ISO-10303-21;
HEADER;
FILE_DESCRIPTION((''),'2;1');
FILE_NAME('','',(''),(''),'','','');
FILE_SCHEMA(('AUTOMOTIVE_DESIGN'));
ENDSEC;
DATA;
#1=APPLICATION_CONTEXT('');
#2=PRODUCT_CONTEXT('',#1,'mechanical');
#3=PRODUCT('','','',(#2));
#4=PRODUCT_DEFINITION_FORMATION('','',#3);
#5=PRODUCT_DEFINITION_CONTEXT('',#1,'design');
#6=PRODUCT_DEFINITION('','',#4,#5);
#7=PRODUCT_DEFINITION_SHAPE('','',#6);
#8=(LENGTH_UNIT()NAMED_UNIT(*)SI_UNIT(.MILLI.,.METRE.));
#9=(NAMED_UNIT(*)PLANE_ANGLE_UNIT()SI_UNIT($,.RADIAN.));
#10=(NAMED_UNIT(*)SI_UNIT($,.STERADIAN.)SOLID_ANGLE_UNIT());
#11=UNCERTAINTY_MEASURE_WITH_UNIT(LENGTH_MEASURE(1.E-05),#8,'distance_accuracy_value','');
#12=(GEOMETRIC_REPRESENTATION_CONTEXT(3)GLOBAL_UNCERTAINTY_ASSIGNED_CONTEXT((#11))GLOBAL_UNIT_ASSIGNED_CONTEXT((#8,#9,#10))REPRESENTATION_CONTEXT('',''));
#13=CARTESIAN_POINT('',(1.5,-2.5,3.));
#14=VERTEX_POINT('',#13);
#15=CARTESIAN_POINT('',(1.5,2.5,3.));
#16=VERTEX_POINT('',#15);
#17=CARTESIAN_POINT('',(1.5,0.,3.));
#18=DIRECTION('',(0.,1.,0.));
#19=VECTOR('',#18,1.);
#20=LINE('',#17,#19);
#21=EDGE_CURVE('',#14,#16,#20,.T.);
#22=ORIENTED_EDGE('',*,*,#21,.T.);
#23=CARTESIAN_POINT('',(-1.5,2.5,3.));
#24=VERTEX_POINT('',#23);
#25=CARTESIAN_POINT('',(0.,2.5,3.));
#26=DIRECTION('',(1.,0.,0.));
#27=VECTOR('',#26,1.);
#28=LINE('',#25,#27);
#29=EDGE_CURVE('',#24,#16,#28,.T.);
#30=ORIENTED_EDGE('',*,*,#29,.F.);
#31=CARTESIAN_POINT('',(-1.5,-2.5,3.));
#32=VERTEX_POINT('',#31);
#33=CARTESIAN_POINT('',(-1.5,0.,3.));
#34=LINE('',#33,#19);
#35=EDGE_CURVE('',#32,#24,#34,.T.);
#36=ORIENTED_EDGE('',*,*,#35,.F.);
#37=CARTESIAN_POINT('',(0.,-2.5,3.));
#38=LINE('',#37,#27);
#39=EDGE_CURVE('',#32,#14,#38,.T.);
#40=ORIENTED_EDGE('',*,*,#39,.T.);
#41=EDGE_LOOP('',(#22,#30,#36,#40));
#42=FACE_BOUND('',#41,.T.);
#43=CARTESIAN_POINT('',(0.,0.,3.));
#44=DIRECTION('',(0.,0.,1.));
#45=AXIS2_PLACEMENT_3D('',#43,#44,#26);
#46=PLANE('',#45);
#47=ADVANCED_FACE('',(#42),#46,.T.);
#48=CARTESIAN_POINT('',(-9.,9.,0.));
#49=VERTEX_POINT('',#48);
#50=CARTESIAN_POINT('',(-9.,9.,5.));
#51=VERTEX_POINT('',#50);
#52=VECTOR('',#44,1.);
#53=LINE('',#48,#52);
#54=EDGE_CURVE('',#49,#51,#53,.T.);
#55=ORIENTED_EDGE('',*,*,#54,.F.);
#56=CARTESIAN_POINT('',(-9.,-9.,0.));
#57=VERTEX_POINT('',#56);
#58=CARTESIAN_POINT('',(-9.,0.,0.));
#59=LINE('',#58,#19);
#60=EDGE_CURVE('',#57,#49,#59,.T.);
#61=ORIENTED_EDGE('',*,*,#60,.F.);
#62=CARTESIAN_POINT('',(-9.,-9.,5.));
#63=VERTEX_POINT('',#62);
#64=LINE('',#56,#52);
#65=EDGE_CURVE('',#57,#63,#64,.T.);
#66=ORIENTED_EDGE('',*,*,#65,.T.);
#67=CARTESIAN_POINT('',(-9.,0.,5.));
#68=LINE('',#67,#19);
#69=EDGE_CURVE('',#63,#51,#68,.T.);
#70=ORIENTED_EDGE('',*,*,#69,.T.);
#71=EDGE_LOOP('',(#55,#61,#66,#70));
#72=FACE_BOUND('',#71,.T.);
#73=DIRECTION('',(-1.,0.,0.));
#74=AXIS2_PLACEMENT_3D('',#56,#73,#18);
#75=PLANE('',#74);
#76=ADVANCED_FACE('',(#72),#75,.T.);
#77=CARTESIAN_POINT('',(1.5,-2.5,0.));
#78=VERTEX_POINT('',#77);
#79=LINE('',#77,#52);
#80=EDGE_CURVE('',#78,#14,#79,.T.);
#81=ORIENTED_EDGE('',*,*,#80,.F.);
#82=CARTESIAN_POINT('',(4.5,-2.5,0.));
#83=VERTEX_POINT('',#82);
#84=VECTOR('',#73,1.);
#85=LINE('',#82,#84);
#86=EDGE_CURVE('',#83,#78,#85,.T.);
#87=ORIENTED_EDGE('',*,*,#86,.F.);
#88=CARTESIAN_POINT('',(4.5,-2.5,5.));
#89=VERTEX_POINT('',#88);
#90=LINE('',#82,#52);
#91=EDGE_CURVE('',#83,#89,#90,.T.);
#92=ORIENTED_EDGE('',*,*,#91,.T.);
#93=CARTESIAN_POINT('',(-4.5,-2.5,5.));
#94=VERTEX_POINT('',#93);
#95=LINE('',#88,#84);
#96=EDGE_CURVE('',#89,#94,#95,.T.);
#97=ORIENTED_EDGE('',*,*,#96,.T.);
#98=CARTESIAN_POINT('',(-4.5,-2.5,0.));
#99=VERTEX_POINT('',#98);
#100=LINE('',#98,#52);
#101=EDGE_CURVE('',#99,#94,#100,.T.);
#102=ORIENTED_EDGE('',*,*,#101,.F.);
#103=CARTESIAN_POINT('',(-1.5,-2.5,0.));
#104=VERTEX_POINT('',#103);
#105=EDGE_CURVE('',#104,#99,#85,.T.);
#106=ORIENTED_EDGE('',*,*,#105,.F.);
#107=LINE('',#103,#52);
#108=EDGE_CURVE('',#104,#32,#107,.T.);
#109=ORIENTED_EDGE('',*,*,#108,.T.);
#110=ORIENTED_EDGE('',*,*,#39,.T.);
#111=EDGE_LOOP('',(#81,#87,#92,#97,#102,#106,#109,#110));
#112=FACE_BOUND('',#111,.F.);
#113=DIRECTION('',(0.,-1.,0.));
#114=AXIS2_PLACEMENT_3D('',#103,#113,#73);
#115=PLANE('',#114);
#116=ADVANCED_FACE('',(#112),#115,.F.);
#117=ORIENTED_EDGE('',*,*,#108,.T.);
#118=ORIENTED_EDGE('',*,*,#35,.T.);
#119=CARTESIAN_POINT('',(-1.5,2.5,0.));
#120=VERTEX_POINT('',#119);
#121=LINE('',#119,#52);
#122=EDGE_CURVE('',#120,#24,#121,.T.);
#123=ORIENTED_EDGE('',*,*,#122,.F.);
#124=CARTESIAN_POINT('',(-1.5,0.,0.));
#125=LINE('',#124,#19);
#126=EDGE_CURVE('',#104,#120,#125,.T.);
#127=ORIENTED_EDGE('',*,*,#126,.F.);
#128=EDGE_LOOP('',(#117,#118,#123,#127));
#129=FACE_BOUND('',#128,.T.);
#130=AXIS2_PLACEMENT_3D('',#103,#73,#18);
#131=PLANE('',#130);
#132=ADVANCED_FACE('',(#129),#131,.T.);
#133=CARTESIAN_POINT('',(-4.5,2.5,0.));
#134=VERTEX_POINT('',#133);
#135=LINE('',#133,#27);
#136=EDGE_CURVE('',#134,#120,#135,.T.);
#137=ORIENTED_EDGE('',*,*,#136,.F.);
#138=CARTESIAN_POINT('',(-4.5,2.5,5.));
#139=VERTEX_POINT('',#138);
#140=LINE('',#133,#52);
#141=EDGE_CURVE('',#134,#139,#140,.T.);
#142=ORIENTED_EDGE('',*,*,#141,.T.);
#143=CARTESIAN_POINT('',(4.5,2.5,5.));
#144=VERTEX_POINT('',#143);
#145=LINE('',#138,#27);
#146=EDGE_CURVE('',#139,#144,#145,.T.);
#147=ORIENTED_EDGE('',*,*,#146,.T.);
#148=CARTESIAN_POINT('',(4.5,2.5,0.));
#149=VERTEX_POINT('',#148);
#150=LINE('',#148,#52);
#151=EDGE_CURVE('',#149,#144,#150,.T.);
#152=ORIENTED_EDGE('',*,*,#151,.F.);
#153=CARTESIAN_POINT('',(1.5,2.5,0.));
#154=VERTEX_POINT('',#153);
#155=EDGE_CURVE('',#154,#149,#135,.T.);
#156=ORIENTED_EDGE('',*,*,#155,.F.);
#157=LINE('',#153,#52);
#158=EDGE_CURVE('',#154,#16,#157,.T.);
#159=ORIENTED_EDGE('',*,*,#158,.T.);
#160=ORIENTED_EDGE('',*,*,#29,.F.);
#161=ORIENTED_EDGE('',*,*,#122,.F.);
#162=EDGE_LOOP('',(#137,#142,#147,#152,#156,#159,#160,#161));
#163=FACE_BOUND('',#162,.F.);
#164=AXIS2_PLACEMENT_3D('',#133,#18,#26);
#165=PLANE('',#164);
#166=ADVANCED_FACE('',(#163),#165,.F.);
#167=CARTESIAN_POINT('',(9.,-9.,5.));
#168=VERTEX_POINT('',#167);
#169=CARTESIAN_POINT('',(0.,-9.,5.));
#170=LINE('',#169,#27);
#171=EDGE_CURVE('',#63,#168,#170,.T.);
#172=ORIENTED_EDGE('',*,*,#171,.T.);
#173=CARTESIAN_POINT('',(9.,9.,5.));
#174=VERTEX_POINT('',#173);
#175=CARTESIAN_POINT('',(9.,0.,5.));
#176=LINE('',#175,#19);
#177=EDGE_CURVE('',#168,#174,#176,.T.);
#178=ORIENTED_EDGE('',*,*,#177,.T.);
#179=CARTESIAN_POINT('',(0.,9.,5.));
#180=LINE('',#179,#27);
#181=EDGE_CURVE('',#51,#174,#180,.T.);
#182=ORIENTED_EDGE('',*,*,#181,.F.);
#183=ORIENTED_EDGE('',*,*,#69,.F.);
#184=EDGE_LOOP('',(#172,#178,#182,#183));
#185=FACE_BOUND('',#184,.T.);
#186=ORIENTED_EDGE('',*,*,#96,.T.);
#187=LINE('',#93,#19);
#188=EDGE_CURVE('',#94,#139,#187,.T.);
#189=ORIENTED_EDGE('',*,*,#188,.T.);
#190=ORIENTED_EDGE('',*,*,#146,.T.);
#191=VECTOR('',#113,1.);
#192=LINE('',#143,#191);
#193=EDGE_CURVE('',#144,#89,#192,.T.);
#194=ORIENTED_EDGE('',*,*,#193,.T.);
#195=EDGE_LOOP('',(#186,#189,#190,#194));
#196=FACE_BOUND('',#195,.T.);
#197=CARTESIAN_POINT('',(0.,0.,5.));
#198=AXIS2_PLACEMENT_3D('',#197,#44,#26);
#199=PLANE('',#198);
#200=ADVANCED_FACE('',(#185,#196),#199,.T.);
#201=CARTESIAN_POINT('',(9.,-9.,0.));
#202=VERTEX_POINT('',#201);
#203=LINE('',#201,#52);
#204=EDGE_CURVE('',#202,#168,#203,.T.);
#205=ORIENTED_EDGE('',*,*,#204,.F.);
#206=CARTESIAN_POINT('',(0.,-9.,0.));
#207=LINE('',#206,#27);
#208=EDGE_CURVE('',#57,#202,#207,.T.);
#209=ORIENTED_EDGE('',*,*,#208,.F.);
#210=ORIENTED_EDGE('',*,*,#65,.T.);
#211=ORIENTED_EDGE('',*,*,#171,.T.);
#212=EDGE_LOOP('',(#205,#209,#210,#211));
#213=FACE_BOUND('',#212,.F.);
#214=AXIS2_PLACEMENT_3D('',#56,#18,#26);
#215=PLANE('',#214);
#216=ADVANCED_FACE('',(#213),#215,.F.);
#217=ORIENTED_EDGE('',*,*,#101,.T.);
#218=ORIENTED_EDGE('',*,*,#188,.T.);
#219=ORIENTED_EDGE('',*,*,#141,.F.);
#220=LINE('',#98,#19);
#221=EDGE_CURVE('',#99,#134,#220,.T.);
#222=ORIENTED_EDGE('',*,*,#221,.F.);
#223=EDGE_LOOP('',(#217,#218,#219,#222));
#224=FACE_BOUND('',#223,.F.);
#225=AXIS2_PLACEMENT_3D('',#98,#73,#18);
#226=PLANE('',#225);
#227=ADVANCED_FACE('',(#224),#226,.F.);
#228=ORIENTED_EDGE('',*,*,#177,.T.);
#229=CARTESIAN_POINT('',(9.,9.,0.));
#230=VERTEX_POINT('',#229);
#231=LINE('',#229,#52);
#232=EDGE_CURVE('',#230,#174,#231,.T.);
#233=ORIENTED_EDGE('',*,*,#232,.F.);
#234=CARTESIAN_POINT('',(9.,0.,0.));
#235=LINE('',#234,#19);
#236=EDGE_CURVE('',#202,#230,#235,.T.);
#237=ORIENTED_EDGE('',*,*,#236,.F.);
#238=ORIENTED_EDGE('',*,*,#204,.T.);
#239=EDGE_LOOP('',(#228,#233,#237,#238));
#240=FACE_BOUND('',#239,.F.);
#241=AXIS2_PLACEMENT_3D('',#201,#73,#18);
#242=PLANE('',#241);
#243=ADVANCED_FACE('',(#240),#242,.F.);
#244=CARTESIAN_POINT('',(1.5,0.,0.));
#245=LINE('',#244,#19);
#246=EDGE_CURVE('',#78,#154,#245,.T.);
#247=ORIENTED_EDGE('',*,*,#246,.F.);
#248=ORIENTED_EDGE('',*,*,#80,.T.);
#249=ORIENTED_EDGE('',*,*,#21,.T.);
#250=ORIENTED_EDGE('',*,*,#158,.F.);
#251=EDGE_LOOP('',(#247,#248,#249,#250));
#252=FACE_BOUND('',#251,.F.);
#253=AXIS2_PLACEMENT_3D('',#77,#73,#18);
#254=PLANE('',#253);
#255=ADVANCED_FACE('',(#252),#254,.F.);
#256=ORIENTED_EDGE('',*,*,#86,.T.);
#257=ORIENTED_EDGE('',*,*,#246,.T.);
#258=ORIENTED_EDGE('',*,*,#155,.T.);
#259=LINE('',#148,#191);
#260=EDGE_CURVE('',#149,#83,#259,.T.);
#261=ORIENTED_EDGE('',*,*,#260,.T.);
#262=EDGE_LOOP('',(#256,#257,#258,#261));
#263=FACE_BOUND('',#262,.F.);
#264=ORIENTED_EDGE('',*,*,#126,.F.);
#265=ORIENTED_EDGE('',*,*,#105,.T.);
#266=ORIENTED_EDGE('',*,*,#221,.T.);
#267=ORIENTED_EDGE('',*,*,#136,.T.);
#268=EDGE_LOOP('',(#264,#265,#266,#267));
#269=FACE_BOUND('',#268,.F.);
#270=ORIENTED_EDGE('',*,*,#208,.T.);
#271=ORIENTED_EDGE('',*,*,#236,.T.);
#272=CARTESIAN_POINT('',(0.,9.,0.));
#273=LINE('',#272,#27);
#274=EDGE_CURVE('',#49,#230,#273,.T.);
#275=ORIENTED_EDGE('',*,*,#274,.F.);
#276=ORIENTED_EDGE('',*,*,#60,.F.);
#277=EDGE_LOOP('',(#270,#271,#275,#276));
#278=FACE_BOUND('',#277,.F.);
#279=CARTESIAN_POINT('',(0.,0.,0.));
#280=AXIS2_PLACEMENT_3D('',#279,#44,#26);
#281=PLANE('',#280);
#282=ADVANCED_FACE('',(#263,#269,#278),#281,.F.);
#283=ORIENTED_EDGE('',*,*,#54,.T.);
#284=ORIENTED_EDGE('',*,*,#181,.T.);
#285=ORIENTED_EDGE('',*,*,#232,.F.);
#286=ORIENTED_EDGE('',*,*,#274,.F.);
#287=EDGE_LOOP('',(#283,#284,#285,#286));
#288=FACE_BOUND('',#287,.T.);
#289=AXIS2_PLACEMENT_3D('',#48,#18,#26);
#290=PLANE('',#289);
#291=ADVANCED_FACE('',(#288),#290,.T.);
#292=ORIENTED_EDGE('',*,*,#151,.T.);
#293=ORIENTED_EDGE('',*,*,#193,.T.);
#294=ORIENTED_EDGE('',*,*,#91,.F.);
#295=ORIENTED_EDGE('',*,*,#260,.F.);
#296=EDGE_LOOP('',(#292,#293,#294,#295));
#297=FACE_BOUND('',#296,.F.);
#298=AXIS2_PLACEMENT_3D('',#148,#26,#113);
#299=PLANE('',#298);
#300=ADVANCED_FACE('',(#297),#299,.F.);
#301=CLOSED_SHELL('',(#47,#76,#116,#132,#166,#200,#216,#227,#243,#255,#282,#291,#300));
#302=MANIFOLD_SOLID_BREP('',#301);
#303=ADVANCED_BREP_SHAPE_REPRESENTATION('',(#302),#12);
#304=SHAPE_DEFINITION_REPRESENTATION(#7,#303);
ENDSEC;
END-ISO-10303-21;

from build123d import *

# Parameters (mm, degrees)
F0_W     = 18
F0_H     = 18
F0_W_2   = 3
F0_H_2   = 5
F1_DEPTH = 5
F2_W     = 3
F2_H     = 5
F3_DEPTH = 2


with BuildPart() as f1:
    # F0 (on Top) → F1 (new body)
    with BuildSketch(Plane.XY):
        Rectangle(F0_W, F0_H)
        Polygon((1.5, 2.5), (4.5, 2.5), (4.5, -2.5), (1.5, -2.5), (-1.5, -2.5), (-4.5, -2.5), (-4.5, 2.5), (-1.5, 2.5), align=None, mode=Mode.SUBTRACT)
        Rectangle(F0_W_2, F0_H_2)
    extrude(amount=F1_DEPTH)

    # F2 (on face) → F3 (cut)
    with BuildSketch(Plane.XY.offset(5)):
        Rectangle(F2_W, F2_H)
    extrude(amount=-F3_DEPTH, mode=Mode.SUBTRACT)


solid = f1.part
